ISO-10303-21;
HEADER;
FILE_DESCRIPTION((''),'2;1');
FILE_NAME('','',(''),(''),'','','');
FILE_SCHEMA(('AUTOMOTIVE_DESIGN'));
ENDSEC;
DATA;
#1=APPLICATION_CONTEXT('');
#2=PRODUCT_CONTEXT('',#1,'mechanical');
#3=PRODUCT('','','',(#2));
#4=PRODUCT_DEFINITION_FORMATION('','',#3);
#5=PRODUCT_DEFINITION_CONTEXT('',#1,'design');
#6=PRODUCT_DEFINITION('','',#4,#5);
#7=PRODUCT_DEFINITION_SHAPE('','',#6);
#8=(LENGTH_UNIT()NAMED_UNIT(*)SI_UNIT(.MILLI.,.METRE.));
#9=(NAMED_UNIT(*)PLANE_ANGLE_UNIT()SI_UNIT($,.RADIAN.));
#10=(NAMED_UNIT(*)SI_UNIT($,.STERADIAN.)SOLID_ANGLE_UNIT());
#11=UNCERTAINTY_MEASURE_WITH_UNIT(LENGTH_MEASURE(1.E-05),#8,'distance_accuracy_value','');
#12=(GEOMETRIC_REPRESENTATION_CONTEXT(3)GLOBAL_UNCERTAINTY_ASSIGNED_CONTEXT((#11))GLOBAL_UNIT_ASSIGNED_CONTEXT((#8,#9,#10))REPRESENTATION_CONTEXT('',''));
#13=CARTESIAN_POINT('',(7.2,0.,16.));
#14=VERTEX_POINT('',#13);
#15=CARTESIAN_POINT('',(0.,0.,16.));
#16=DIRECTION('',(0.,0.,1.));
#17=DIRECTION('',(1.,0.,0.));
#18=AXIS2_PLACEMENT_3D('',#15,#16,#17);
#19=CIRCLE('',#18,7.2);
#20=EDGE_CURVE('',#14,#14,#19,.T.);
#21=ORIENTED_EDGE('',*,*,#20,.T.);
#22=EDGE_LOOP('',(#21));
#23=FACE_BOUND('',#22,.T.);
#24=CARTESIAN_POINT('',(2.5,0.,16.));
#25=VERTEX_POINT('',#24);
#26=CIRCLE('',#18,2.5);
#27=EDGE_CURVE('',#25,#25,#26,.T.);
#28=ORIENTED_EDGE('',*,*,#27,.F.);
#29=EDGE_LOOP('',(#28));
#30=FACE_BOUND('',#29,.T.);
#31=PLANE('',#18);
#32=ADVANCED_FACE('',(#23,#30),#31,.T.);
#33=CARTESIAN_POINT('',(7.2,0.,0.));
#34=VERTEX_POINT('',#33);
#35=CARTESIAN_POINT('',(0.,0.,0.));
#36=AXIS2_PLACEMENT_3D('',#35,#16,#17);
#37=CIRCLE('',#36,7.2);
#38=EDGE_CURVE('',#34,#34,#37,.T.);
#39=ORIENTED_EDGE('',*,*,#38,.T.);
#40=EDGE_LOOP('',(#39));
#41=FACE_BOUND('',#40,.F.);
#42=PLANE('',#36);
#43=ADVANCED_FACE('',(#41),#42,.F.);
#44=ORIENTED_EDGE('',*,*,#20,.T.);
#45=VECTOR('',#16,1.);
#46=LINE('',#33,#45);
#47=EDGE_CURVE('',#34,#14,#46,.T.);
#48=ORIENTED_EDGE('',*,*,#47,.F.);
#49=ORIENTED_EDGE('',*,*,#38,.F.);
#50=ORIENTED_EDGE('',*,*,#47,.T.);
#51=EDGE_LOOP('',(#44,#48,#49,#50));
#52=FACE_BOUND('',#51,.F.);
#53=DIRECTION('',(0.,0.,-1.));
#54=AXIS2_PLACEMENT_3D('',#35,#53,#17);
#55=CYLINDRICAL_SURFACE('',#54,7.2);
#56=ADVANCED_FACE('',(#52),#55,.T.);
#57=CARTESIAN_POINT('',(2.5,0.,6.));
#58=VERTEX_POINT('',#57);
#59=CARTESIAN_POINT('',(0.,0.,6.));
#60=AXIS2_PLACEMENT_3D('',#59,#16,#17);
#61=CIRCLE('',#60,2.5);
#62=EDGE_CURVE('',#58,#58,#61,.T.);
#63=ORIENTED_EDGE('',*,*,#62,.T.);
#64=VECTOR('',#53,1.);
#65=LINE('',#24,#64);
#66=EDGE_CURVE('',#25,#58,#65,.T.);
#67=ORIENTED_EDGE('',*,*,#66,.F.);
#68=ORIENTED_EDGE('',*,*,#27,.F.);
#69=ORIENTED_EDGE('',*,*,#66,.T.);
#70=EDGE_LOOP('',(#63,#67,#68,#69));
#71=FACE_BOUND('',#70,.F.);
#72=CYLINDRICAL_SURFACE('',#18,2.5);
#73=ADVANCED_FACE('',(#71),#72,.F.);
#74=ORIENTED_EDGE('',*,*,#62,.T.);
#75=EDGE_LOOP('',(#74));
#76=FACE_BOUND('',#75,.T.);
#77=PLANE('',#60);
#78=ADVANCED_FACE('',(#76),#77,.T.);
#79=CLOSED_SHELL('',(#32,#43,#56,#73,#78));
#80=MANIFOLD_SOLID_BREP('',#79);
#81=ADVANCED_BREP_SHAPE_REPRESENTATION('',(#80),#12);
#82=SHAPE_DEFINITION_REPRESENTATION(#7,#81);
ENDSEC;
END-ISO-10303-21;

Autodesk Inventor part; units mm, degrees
ref_plane "YZ Plane" through (0, 0, 0) normal (1, 0, 0) x (0, 1, 0)
ref_plane "XZ Plane" through (0, 0, 0) normal (0, 1, 0) x (-1, 0, 0)
ref_plane "XY Plane" through (0, 0, 0) normal (0, 0, 1) x (1, 0, 0)
sketch "Sketch1" plane through (0, 0, 0) normal (0, 0, 1) x (1, 0, 0)
  circle A0 centre (0, 0) radius 7.2
  dimension "d0" = 14.4
extrude "Extrusion1" add sketch "Sketch1" along normal blind 16
sketch "Sketch2" plane through (0, 0, 16) normal (0, 0, 1) x (1, 0, 0)
  circle A0 centre (0, 0) radius 2.5
  dimension "d3" = 5
extrude "Extrusion2" cut sketch "Sketch2" against normal blind 10
properties part number "HoleFill1"
